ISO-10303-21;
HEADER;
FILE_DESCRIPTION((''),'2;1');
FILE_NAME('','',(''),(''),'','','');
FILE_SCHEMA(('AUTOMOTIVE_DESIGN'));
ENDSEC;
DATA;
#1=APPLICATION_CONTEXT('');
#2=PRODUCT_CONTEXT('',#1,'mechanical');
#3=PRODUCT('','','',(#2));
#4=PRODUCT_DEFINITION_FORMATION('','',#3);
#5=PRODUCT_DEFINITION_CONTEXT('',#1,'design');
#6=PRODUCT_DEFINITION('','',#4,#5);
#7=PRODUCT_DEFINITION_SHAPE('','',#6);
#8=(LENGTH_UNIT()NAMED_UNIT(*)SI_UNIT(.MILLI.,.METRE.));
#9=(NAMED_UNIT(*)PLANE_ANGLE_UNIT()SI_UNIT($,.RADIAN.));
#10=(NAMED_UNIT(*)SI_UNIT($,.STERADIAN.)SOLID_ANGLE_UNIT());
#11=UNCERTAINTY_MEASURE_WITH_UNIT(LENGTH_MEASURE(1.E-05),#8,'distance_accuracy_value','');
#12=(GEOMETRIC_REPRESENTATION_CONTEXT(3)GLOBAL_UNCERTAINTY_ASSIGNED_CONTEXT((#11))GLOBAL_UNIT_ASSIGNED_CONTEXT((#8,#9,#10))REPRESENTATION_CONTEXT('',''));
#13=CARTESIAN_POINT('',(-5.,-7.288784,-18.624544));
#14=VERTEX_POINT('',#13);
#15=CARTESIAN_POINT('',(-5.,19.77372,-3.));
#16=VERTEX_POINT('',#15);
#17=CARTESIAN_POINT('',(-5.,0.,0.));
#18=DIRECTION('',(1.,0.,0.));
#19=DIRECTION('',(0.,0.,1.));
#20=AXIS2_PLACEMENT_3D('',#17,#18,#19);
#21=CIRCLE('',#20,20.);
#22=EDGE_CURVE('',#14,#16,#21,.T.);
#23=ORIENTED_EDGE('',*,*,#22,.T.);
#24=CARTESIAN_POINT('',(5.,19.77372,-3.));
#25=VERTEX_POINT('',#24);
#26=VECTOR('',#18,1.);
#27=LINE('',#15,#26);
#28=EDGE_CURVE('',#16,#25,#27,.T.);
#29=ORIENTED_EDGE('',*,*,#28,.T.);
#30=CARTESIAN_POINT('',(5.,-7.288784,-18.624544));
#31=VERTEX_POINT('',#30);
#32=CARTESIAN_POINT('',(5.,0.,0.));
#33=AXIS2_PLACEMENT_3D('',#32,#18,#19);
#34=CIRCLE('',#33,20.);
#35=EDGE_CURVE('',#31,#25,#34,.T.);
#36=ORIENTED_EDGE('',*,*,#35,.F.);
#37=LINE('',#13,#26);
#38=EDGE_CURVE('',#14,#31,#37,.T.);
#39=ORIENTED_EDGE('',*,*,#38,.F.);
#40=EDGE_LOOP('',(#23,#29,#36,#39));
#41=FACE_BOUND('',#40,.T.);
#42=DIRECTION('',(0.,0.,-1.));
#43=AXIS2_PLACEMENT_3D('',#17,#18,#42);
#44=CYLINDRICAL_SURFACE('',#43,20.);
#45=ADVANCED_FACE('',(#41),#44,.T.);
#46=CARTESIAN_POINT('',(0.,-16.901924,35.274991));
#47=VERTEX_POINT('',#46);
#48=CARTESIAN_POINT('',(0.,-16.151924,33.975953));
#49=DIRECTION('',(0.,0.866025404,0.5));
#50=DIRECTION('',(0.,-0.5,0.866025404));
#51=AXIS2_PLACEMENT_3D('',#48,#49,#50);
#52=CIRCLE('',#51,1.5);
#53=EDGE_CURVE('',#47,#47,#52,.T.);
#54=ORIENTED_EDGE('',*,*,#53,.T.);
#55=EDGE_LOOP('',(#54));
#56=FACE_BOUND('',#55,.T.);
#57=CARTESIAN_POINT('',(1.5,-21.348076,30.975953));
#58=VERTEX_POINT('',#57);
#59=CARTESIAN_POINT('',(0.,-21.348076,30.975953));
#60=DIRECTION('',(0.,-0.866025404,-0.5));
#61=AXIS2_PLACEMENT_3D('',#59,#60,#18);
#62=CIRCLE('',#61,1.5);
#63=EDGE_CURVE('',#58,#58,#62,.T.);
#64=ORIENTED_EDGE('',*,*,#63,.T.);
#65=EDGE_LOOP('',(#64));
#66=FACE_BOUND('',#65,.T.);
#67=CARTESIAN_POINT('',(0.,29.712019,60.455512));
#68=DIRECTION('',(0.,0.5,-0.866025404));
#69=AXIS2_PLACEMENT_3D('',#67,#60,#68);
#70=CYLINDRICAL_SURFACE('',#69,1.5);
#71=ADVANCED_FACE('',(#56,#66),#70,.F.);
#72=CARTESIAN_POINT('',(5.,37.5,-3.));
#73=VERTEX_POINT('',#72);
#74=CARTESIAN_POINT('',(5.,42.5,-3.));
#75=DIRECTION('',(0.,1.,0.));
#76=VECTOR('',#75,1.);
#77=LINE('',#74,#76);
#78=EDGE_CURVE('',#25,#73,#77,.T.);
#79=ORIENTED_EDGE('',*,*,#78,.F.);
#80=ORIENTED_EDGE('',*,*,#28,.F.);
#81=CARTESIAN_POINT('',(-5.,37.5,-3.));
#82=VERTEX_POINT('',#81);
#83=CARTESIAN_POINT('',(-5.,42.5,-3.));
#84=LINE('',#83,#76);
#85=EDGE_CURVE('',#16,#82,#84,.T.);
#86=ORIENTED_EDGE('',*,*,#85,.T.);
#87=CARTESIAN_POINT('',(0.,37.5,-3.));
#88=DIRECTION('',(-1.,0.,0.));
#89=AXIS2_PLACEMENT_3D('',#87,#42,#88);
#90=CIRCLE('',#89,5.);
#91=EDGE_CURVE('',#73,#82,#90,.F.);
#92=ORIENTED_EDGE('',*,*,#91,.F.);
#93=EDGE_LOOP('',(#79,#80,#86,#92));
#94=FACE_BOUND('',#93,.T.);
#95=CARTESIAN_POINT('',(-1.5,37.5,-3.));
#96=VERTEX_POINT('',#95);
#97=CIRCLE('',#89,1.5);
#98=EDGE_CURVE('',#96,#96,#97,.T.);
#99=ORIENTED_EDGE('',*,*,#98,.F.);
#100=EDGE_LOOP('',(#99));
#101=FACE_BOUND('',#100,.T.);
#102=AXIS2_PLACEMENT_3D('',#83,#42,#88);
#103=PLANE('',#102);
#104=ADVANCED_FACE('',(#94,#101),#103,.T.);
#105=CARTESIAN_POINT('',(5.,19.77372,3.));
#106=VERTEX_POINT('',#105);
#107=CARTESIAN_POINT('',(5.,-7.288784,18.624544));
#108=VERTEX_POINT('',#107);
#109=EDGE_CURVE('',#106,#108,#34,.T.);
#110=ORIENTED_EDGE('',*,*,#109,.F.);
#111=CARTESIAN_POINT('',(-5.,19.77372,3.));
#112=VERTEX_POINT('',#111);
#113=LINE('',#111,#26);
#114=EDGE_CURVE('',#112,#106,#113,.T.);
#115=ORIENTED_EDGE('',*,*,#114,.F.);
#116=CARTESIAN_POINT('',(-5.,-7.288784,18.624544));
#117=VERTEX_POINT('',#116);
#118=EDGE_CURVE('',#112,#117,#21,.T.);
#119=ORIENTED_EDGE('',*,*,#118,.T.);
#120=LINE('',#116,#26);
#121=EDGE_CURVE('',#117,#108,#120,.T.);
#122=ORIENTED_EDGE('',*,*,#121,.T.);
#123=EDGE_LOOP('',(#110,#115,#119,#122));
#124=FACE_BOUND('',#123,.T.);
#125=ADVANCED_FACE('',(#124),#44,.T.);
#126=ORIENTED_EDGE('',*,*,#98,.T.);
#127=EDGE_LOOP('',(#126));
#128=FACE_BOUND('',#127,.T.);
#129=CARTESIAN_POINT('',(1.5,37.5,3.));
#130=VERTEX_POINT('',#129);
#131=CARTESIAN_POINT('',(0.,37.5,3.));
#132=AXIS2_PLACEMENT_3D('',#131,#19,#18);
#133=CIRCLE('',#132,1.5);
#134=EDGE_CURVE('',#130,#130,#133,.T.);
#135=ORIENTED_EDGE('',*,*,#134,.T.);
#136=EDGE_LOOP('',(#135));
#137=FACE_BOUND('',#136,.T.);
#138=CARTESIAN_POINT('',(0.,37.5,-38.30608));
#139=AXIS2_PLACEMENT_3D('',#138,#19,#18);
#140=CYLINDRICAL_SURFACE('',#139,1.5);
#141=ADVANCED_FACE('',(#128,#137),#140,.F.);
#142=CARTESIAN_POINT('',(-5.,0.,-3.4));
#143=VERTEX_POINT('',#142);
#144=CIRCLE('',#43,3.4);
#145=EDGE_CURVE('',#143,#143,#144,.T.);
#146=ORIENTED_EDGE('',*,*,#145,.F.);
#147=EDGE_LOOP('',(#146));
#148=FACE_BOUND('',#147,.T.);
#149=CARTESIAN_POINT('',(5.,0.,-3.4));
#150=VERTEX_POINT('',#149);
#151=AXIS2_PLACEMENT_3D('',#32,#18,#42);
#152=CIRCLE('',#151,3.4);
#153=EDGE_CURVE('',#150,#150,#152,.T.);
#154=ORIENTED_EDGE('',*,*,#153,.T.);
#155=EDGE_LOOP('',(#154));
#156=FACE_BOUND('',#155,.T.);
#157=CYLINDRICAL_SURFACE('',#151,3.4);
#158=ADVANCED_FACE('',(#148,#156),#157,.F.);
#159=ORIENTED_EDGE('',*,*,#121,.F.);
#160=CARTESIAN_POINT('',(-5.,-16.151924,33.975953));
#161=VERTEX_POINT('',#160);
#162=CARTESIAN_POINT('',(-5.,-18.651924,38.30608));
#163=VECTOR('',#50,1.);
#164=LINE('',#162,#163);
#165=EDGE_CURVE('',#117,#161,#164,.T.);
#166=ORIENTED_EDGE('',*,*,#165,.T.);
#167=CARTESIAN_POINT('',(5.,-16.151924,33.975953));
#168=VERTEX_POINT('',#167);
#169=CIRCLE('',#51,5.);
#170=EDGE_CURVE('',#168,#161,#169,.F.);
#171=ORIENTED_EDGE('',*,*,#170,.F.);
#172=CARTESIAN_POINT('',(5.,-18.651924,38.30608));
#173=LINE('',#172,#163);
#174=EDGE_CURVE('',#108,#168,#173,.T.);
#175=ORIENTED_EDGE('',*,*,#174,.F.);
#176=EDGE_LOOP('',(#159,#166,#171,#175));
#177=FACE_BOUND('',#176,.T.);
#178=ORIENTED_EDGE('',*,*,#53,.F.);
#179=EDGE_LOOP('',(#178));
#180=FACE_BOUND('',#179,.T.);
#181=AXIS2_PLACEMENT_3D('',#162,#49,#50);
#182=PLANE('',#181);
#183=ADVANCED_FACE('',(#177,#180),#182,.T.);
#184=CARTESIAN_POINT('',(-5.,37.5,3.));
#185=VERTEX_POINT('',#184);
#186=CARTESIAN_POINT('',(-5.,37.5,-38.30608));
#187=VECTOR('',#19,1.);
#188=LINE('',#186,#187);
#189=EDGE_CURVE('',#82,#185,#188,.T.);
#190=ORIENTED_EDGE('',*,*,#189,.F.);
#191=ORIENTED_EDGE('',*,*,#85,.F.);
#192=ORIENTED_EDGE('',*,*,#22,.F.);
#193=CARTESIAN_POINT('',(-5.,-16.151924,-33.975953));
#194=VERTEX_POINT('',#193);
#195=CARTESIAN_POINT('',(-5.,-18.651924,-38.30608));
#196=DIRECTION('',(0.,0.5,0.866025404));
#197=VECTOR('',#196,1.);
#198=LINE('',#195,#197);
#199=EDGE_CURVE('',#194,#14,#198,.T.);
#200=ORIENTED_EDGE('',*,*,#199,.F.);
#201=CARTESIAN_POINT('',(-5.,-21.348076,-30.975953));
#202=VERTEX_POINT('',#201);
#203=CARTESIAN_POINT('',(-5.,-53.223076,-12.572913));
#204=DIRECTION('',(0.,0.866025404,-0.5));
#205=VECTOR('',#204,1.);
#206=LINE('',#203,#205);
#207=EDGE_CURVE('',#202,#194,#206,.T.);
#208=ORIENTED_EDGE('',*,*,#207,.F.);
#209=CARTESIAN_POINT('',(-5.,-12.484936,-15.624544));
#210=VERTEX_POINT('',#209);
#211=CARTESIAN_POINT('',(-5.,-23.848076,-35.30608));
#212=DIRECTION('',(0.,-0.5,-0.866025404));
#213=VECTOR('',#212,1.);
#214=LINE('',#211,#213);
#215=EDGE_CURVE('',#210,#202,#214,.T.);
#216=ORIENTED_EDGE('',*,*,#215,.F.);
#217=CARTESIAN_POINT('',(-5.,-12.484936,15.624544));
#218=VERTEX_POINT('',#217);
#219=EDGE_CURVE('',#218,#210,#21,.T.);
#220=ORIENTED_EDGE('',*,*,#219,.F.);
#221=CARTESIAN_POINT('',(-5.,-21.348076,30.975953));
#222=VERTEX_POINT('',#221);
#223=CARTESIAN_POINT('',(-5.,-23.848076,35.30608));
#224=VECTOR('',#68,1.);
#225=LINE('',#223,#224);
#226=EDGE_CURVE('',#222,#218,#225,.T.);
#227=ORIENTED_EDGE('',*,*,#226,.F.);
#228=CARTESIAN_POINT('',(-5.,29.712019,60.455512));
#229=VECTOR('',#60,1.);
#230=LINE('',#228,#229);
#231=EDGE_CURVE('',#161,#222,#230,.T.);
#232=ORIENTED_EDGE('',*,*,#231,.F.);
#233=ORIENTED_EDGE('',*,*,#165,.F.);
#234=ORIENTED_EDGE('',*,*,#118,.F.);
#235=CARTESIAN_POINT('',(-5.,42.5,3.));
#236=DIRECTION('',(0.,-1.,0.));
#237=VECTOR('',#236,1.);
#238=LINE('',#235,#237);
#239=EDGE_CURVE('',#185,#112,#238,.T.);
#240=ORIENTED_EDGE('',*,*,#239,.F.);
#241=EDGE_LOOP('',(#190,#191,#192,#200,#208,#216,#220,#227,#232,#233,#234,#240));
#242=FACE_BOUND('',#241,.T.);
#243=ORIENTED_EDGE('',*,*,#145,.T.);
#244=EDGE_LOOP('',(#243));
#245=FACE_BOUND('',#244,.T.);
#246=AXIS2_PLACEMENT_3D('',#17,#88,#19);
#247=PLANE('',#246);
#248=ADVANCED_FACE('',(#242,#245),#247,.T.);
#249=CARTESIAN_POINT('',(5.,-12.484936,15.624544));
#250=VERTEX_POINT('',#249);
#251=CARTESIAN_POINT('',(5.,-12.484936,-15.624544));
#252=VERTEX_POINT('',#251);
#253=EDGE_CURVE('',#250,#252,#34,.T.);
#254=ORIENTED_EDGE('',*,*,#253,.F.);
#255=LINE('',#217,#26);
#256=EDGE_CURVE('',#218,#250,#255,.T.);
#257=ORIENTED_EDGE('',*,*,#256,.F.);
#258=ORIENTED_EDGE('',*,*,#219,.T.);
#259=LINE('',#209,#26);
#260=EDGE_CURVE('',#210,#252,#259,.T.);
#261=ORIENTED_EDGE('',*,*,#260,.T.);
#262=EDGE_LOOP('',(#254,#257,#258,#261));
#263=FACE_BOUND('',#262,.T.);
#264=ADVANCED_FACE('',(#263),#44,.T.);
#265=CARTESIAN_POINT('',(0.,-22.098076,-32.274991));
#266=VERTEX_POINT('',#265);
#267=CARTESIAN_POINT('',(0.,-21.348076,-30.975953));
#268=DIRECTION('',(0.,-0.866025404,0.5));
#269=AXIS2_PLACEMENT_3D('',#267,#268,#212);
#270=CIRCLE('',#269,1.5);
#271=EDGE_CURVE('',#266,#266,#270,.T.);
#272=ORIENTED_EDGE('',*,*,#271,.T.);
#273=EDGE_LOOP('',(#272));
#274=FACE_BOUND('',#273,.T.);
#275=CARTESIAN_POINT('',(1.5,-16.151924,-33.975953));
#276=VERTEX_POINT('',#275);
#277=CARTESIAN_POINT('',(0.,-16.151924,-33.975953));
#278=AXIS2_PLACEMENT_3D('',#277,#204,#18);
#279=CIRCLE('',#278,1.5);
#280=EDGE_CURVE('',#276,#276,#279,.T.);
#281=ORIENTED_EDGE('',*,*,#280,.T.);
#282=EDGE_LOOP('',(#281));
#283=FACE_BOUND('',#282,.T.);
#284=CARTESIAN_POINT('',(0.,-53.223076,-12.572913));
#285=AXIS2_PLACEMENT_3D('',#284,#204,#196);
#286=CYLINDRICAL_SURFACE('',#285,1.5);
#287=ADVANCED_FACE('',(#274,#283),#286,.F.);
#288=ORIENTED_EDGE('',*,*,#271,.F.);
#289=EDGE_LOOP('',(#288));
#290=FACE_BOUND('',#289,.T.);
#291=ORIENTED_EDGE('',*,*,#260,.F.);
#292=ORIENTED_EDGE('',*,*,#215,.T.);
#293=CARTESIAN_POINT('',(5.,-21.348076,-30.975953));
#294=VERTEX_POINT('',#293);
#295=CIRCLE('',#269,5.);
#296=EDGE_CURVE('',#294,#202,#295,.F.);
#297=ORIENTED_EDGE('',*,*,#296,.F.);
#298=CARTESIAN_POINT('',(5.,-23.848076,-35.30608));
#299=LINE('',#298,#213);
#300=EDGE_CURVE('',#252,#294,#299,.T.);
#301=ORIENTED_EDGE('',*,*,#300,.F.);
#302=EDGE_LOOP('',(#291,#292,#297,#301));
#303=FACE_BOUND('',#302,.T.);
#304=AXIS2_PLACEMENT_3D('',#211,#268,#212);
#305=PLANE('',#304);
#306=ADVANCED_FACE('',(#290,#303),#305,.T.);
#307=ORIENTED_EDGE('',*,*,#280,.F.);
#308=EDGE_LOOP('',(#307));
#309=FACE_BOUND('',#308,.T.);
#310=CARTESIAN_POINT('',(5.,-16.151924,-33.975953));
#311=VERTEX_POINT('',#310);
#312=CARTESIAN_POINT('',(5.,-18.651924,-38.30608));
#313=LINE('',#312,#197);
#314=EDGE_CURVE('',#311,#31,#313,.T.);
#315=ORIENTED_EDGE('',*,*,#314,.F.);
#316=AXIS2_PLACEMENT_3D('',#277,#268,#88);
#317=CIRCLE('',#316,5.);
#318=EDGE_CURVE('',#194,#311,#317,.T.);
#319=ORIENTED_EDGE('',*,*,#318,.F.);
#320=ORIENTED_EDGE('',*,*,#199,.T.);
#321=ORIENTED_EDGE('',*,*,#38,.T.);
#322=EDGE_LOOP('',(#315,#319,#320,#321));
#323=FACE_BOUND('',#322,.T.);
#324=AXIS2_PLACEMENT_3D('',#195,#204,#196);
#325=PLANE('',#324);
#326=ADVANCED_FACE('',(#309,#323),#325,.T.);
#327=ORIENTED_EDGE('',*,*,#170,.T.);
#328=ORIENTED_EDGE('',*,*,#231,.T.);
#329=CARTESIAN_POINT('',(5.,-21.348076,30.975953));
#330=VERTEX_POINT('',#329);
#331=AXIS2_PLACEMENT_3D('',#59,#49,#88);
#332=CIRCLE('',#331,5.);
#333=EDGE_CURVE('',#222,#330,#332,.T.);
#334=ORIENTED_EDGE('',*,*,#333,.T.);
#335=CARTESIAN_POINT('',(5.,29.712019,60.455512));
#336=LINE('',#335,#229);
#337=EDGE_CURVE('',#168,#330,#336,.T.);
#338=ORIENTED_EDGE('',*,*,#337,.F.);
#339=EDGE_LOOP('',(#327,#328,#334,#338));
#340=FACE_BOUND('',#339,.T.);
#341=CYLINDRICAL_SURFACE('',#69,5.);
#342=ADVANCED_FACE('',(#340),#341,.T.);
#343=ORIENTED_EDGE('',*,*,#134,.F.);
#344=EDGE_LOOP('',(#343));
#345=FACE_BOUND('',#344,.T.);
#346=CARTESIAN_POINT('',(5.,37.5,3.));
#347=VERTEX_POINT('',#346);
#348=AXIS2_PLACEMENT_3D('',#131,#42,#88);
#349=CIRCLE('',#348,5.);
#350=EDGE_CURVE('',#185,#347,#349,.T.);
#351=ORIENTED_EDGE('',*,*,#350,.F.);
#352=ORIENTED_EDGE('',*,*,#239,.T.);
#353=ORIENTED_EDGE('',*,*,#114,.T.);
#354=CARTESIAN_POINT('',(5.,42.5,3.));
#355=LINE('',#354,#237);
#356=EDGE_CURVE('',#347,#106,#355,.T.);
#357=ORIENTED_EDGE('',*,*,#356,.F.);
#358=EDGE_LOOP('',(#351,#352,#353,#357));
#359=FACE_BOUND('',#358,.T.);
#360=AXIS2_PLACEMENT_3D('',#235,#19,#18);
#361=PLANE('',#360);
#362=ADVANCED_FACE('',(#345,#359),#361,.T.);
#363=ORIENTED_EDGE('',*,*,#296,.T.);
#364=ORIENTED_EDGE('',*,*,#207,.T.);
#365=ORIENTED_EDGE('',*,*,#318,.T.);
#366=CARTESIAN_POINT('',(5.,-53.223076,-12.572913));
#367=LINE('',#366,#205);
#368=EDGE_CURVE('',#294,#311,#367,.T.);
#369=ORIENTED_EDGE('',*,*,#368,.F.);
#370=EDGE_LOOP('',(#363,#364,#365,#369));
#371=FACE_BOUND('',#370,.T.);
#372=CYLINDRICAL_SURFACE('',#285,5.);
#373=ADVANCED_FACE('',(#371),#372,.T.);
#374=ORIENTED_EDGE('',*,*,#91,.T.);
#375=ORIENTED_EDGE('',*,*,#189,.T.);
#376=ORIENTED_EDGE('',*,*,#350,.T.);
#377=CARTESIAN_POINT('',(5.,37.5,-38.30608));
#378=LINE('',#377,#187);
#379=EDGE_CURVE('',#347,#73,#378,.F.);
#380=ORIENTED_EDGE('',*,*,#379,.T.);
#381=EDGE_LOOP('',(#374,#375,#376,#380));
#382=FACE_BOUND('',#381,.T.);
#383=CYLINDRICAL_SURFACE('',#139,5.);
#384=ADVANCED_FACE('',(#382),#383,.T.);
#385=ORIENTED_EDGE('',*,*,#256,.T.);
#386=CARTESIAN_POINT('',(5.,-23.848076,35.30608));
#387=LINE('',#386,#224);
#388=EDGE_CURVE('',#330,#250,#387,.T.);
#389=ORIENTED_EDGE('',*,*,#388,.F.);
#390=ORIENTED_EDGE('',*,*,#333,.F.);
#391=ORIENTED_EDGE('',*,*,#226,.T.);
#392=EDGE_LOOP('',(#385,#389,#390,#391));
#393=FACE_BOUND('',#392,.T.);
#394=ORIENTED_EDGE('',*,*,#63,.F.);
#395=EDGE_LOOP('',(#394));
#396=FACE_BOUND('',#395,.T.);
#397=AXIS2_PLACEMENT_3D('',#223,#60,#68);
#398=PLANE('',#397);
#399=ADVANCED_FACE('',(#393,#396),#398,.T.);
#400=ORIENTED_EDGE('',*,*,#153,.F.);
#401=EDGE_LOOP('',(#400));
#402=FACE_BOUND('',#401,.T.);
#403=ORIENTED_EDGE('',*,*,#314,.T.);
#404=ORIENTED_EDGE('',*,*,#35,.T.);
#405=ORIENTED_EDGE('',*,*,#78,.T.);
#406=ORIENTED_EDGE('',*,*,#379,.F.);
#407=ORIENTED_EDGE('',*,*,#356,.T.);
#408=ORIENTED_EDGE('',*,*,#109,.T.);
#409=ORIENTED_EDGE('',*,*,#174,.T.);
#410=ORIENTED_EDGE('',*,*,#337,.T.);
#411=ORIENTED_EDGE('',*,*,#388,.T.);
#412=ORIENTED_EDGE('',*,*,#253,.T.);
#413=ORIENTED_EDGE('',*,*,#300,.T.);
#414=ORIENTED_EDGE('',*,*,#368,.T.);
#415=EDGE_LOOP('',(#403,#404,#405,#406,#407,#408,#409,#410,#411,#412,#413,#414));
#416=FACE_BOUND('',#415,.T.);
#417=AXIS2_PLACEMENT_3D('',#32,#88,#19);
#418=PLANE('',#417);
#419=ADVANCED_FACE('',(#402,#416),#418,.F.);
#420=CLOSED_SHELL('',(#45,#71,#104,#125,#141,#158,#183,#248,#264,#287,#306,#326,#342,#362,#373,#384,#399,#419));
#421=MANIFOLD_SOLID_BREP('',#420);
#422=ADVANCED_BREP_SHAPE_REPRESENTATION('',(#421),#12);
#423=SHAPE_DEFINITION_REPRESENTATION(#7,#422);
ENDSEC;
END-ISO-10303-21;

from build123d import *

# Parameters (mm, degrees)
BOSS_EXTRU_1_DEPTH           = 5
BOSS_EXTRU_1_DEPTH_BACK      = 5
TROU_TARAUD_M81_D            = 6.8
ESQUISSE5_R                  = 1.5
ENL_V_MAT_EXTRU_1_DEPTH      = 60.476400504
R_P_TITION_CIRCULAIRE1_COUNT = 3


with BuildPart() as part:
    # Esquisse1 → Boss.-Extru.1 (new, two sides: drawn at the far end of the back side and taken through both)
    with BuildSketch(Plane(origin=(0, 0, 0), x_dir=(0, 0, -1), z_dir=(1, 0, 0)).offset(-BOSS_EXTRU_1_DEPTH_BACK)):
        with BuildLine():
            Line((-3, 42.5), (3, 42.5))
            Line((3, 42.5), (3, 19.773719933))
            ThreePointArc((3, 19.773719933), (17.320508076, 10), (18.62454379, -7.288783755))
            Line((18.62454379, -7.288783755), (38.306079661, -18.651923789))
            Line((38.306079661, -18.651923789), (35.306079661, -23.848076211))
            Line((35.306079661, -23.848076211), (15.62454379, -12.484936178))
            ThreePointArc((15.62454379, -12.484936178), (0, -20), (-15.62454379, -12.484936178))
            Line((-15.62454379, -12.484936178), (-35.306079661, -23.848076211))
            Line((-35.306079661, -23.848076211), (-38.306079661, -18.651923789))
            Line((-38.306079661, -18.651923789), (-18.62454379, -7.288783755))
            ThreePointArc((-18.62454379, -7.288783755), (-17.320508076, 10), (-3, 19.773719933))
            Line((-3, 19.773719933), (-3, 42.5))
        make_face()
    extrude(amount=BOSS_EXTRU_1_DEPTH + BOSS_EXTRU_1_DEPTH_BACK)

    # Trou taraudé M81 (through all)
    with Locations(Plane(origin=(5, 0, 0), x_dir=(0, 0, -1), z_dir=(1, 0, 0))):
        with Locations((0, 0)):
            Hole(TROU_TARAUD_M81_D / 2)

    # Esquisse5 → Enlèv. mat.-Extru.1 (cut, through all)
    with BuildSketch(Plane.XY.offset(3)):
        with Locations((0, 37.5)):
            Circle(ESQUISSE5_R)
        with BuildLine():
            Line((-5, 19.773719933), (-5, 37.5))
            ThreePointArc((-5, 37.5), (0, 42.5), (5, 37.5))
            Line((5, 37.5), (5, 19.773719933))
            Line((5, 19.773719933), (13.62028311, 19.773719933))
            Line((13.62028311, 19.773719933), (13.62028311, 47.5))
            Line((13.62028311, 47.5), (-13.199246966, 47.5))
            Line((-13.199246966, 47.5), (-13.199246966, 19.773719933))
            Line((-13.199246966, 19.773719933), (-5, 19.773719933))
        make_face()
    enl_v_mat_extru_1 = extrude(amount=-ENL_V_MAT_EXTRU_1_DEPTH, mode=Mode.SUBTRACT)

    # Répétition circulaire1: Enlèv. mat.-Extru.1 ×3 about axis
    r_p_tition_circulaire1_axis = Axis((5, 0, 0), (1, 0, 0))
    for i in range(1, R_P_TITION_CIRCULAIRE1_COUNT):
        add(enl_v_mat_extru_1.rotate(r_p_tition_circulaire1_axis, i * 360 / R_P_TITION_CIRCULAIRE1_COUNT), mode=Mode.SUBTRACT)


solid = part.part
